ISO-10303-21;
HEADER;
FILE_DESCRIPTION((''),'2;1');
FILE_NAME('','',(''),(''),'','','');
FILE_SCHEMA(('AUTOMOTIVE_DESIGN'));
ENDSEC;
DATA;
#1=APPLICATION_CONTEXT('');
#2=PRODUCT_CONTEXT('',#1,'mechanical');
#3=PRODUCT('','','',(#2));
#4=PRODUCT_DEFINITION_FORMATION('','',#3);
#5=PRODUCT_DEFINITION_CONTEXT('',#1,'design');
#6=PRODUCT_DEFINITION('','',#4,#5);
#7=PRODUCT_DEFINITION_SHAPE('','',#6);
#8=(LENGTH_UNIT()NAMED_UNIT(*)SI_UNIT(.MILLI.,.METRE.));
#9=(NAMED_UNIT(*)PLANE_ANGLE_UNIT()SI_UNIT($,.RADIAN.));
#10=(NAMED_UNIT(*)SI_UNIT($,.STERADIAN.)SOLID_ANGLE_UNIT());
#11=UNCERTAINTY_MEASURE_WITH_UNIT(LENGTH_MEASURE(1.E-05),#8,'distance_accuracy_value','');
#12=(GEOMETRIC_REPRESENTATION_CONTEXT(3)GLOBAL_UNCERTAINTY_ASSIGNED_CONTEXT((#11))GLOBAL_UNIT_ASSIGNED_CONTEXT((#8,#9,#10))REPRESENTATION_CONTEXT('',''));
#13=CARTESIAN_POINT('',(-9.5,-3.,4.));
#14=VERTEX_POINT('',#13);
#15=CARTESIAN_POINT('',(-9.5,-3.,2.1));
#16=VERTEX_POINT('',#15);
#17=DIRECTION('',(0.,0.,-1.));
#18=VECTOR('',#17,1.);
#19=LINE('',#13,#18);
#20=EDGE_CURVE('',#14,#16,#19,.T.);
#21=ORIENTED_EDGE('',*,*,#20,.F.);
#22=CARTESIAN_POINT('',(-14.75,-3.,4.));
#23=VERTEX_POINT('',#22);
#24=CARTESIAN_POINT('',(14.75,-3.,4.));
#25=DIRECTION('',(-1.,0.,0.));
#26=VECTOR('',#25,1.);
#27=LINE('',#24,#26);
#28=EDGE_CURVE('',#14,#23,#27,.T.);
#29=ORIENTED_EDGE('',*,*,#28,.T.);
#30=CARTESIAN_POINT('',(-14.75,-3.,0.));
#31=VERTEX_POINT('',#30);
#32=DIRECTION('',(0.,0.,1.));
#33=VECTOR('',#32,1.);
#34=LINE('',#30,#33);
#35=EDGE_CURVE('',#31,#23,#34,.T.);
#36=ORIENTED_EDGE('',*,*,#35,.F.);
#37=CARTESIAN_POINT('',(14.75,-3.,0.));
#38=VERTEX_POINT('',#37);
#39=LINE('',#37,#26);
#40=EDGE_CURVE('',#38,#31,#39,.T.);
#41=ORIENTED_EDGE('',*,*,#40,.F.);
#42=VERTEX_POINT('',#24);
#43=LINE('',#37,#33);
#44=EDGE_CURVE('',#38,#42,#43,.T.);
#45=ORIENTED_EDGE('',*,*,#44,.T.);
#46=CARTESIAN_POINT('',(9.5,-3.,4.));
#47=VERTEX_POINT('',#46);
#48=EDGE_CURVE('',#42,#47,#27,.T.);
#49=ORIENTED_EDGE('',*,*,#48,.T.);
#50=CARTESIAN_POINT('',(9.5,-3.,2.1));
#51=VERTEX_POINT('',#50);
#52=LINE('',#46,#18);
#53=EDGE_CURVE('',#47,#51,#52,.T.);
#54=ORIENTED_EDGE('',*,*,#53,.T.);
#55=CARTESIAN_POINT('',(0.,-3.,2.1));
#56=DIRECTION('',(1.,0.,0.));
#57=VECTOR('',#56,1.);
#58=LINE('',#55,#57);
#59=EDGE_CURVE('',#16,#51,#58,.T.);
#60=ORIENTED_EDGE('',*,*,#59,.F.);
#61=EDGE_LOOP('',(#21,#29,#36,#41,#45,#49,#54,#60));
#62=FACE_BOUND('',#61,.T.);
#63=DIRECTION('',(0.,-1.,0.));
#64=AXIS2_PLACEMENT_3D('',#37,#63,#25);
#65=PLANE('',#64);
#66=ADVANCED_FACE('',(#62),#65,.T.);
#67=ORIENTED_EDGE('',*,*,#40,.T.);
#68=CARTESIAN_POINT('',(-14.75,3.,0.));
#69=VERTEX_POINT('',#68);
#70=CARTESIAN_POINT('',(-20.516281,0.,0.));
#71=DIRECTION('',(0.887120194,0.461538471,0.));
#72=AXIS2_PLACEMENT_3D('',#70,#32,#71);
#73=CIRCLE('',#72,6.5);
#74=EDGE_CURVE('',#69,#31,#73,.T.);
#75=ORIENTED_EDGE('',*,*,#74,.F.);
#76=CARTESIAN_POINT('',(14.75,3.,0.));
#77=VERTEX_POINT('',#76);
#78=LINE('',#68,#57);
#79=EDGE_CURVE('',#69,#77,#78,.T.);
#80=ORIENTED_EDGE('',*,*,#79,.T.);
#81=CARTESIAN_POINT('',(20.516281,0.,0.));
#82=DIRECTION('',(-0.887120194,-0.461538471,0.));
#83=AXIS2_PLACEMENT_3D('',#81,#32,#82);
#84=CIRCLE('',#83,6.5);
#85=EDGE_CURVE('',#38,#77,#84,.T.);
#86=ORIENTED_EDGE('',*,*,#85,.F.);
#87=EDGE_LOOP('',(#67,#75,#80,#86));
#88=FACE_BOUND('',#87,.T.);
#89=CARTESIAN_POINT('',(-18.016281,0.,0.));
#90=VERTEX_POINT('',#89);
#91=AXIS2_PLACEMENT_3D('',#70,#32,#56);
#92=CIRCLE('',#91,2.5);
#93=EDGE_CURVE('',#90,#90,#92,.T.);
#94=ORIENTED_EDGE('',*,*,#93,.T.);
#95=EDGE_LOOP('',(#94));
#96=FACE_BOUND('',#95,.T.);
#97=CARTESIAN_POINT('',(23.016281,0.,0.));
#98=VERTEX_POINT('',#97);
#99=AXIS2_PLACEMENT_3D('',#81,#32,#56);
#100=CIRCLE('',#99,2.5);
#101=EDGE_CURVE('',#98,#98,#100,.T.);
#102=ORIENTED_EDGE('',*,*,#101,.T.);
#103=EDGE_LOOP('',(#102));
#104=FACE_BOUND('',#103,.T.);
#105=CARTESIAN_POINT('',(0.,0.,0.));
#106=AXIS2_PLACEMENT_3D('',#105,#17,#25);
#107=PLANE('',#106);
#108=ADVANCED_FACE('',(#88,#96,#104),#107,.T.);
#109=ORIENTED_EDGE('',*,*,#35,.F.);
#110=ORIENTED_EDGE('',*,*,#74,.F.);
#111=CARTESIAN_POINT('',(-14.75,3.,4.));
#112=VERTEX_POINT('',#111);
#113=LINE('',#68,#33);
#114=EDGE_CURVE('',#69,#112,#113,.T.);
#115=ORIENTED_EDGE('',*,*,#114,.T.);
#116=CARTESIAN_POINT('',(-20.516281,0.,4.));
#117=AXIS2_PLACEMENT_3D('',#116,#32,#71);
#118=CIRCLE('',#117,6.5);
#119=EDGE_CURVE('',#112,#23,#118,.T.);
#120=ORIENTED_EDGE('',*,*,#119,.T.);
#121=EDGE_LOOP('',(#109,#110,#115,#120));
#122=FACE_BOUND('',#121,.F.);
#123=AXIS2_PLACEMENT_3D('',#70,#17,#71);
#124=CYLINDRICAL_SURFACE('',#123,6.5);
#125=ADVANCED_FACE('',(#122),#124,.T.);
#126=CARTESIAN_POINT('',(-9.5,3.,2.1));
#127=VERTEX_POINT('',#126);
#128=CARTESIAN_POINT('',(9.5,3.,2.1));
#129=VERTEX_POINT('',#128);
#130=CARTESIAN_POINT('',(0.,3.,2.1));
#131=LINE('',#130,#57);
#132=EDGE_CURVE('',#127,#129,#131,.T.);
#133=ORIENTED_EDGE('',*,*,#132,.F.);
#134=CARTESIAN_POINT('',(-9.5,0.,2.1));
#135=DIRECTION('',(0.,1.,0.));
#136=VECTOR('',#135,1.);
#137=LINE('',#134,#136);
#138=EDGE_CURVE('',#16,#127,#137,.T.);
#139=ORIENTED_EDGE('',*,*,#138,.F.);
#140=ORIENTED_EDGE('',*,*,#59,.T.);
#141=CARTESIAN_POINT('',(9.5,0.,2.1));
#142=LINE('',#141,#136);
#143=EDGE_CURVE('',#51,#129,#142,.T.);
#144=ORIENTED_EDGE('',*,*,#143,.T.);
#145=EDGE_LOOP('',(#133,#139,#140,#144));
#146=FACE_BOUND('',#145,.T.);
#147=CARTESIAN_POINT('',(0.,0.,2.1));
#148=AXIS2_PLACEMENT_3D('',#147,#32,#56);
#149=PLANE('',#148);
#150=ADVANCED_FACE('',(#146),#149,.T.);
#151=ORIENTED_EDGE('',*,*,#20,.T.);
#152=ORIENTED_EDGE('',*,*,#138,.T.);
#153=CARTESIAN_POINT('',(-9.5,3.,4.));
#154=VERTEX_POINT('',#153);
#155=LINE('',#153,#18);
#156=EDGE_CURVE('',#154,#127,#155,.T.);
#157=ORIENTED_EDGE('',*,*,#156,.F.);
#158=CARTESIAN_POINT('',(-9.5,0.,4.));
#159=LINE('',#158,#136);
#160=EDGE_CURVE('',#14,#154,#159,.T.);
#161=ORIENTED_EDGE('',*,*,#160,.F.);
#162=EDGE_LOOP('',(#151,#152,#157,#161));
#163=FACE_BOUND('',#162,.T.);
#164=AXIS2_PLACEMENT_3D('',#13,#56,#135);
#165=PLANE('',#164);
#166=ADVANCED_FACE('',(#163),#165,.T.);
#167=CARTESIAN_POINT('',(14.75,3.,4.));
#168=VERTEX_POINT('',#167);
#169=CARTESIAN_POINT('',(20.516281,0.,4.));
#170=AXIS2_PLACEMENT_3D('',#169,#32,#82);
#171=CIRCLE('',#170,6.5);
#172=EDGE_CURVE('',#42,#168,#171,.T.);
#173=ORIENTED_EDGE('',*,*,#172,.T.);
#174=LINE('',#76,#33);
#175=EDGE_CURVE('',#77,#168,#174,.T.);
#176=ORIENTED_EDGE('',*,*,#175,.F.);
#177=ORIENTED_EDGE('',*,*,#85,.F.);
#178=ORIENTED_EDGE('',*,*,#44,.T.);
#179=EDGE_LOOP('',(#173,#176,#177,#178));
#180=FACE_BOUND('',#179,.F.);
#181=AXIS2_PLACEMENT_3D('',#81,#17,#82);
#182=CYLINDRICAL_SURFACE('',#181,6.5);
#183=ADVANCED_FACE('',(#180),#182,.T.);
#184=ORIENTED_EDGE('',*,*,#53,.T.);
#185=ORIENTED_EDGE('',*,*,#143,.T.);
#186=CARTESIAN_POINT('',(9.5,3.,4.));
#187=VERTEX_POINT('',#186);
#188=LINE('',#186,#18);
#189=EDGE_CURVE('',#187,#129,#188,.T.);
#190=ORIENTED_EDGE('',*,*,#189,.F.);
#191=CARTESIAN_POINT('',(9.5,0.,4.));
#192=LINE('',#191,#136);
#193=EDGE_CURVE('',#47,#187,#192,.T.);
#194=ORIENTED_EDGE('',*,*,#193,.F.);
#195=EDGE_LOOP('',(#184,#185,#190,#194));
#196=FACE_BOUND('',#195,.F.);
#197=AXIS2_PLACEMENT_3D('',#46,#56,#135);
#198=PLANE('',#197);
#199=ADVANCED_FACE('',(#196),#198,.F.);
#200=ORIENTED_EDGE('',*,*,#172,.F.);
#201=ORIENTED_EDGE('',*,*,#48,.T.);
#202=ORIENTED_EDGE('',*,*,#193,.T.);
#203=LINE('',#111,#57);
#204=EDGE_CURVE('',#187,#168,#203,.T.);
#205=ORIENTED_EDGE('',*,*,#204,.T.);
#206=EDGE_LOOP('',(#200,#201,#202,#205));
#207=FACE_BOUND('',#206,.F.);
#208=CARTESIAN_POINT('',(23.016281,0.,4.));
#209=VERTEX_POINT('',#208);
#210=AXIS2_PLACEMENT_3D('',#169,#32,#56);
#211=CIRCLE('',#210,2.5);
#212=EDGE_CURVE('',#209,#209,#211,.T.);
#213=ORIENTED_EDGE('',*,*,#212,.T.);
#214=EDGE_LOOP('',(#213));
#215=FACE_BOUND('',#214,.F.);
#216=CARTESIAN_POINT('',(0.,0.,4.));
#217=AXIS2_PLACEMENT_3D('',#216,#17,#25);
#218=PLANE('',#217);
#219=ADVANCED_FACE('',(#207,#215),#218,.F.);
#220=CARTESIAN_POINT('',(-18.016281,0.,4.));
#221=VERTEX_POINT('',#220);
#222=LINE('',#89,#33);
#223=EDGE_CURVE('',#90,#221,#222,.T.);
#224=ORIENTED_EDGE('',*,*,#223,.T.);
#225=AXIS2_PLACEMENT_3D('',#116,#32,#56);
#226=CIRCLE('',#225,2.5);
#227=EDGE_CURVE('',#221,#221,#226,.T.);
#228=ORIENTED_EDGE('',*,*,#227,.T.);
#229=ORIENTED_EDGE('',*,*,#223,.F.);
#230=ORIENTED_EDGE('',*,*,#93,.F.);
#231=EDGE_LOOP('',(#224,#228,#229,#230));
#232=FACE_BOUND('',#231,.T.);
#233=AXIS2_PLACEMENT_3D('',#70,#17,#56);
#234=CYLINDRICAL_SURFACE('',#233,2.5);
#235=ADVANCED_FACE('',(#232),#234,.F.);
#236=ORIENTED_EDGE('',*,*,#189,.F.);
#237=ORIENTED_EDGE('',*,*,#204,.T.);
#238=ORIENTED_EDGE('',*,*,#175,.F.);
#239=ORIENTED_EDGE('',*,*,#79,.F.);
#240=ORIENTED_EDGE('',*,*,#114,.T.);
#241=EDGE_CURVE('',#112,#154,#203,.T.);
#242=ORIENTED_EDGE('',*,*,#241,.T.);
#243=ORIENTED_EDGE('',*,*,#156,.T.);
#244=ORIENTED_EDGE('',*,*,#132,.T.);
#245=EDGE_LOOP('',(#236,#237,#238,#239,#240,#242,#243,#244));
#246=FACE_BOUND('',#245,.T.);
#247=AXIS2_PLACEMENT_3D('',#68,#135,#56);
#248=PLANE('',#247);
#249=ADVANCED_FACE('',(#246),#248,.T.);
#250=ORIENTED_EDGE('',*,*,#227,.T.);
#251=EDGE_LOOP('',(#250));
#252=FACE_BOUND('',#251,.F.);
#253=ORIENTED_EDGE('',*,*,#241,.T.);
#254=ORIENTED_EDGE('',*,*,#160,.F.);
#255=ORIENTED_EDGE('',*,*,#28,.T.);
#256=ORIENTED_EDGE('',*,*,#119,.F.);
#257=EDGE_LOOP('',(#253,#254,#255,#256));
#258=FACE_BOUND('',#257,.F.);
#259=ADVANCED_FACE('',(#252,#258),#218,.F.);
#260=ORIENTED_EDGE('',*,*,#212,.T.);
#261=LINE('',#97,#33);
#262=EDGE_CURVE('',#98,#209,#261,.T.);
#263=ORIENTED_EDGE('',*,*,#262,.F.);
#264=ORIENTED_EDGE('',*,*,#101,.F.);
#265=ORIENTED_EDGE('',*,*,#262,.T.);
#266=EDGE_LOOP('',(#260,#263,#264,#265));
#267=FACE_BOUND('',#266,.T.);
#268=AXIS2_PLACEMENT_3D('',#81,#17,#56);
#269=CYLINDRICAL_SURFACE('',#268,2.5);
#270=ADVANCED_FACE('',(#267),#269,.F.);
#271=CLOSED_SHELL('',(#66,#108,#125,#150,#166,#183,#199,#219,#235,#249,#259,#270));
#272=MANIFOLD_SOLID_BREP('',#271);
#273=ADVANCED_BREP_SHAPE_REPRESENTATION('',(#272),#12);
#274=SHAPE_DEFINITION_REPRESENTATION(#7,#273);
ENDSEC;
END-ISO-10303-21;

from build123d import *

# Parameters (mm, degrees)
SKETCH_R     = 2.5
PAD_DEPTH    = 4
SKETCH001_W  = 19
SKETCH001_H  = 6
POCKET_DEPTH = 1.9


with BuildPart() as part:
    # Sketch → Pad (new body)
    with BuildSketch(Plane.XY):
        with BuildLine():
            Line((-14.75, 3), (14.75, 3))
            ThreePointArc((14.75, -3), (27.016281, 0), (14.75, 3))
            Line((14.75, -3), (-14.75, -3))
            ThreePointArc((-14.75, 3), (-27.016281, 0), (-14.75, -3))
        make_face()
        with Locations((-20.516281, 0)):
            Circle(SKETCH_R, mode=Mode.SUBTRACT)
        with Locations((20.516281, 0)):
            Circle(SKETCH_R, mode=Mode.SUBTRACT)
    extrude(amount=PAD_DEPTH)

    # Sketch001 → Pocket (cut)
    with BuildSketch(Plane.XY.offset(4)):
        Rectangle(SKETCH001_W, SKETCH001_H)
    extrude(amount=-POCKET_DEPTH, mode=Mode.SUBTRACT)


solid = part.part
